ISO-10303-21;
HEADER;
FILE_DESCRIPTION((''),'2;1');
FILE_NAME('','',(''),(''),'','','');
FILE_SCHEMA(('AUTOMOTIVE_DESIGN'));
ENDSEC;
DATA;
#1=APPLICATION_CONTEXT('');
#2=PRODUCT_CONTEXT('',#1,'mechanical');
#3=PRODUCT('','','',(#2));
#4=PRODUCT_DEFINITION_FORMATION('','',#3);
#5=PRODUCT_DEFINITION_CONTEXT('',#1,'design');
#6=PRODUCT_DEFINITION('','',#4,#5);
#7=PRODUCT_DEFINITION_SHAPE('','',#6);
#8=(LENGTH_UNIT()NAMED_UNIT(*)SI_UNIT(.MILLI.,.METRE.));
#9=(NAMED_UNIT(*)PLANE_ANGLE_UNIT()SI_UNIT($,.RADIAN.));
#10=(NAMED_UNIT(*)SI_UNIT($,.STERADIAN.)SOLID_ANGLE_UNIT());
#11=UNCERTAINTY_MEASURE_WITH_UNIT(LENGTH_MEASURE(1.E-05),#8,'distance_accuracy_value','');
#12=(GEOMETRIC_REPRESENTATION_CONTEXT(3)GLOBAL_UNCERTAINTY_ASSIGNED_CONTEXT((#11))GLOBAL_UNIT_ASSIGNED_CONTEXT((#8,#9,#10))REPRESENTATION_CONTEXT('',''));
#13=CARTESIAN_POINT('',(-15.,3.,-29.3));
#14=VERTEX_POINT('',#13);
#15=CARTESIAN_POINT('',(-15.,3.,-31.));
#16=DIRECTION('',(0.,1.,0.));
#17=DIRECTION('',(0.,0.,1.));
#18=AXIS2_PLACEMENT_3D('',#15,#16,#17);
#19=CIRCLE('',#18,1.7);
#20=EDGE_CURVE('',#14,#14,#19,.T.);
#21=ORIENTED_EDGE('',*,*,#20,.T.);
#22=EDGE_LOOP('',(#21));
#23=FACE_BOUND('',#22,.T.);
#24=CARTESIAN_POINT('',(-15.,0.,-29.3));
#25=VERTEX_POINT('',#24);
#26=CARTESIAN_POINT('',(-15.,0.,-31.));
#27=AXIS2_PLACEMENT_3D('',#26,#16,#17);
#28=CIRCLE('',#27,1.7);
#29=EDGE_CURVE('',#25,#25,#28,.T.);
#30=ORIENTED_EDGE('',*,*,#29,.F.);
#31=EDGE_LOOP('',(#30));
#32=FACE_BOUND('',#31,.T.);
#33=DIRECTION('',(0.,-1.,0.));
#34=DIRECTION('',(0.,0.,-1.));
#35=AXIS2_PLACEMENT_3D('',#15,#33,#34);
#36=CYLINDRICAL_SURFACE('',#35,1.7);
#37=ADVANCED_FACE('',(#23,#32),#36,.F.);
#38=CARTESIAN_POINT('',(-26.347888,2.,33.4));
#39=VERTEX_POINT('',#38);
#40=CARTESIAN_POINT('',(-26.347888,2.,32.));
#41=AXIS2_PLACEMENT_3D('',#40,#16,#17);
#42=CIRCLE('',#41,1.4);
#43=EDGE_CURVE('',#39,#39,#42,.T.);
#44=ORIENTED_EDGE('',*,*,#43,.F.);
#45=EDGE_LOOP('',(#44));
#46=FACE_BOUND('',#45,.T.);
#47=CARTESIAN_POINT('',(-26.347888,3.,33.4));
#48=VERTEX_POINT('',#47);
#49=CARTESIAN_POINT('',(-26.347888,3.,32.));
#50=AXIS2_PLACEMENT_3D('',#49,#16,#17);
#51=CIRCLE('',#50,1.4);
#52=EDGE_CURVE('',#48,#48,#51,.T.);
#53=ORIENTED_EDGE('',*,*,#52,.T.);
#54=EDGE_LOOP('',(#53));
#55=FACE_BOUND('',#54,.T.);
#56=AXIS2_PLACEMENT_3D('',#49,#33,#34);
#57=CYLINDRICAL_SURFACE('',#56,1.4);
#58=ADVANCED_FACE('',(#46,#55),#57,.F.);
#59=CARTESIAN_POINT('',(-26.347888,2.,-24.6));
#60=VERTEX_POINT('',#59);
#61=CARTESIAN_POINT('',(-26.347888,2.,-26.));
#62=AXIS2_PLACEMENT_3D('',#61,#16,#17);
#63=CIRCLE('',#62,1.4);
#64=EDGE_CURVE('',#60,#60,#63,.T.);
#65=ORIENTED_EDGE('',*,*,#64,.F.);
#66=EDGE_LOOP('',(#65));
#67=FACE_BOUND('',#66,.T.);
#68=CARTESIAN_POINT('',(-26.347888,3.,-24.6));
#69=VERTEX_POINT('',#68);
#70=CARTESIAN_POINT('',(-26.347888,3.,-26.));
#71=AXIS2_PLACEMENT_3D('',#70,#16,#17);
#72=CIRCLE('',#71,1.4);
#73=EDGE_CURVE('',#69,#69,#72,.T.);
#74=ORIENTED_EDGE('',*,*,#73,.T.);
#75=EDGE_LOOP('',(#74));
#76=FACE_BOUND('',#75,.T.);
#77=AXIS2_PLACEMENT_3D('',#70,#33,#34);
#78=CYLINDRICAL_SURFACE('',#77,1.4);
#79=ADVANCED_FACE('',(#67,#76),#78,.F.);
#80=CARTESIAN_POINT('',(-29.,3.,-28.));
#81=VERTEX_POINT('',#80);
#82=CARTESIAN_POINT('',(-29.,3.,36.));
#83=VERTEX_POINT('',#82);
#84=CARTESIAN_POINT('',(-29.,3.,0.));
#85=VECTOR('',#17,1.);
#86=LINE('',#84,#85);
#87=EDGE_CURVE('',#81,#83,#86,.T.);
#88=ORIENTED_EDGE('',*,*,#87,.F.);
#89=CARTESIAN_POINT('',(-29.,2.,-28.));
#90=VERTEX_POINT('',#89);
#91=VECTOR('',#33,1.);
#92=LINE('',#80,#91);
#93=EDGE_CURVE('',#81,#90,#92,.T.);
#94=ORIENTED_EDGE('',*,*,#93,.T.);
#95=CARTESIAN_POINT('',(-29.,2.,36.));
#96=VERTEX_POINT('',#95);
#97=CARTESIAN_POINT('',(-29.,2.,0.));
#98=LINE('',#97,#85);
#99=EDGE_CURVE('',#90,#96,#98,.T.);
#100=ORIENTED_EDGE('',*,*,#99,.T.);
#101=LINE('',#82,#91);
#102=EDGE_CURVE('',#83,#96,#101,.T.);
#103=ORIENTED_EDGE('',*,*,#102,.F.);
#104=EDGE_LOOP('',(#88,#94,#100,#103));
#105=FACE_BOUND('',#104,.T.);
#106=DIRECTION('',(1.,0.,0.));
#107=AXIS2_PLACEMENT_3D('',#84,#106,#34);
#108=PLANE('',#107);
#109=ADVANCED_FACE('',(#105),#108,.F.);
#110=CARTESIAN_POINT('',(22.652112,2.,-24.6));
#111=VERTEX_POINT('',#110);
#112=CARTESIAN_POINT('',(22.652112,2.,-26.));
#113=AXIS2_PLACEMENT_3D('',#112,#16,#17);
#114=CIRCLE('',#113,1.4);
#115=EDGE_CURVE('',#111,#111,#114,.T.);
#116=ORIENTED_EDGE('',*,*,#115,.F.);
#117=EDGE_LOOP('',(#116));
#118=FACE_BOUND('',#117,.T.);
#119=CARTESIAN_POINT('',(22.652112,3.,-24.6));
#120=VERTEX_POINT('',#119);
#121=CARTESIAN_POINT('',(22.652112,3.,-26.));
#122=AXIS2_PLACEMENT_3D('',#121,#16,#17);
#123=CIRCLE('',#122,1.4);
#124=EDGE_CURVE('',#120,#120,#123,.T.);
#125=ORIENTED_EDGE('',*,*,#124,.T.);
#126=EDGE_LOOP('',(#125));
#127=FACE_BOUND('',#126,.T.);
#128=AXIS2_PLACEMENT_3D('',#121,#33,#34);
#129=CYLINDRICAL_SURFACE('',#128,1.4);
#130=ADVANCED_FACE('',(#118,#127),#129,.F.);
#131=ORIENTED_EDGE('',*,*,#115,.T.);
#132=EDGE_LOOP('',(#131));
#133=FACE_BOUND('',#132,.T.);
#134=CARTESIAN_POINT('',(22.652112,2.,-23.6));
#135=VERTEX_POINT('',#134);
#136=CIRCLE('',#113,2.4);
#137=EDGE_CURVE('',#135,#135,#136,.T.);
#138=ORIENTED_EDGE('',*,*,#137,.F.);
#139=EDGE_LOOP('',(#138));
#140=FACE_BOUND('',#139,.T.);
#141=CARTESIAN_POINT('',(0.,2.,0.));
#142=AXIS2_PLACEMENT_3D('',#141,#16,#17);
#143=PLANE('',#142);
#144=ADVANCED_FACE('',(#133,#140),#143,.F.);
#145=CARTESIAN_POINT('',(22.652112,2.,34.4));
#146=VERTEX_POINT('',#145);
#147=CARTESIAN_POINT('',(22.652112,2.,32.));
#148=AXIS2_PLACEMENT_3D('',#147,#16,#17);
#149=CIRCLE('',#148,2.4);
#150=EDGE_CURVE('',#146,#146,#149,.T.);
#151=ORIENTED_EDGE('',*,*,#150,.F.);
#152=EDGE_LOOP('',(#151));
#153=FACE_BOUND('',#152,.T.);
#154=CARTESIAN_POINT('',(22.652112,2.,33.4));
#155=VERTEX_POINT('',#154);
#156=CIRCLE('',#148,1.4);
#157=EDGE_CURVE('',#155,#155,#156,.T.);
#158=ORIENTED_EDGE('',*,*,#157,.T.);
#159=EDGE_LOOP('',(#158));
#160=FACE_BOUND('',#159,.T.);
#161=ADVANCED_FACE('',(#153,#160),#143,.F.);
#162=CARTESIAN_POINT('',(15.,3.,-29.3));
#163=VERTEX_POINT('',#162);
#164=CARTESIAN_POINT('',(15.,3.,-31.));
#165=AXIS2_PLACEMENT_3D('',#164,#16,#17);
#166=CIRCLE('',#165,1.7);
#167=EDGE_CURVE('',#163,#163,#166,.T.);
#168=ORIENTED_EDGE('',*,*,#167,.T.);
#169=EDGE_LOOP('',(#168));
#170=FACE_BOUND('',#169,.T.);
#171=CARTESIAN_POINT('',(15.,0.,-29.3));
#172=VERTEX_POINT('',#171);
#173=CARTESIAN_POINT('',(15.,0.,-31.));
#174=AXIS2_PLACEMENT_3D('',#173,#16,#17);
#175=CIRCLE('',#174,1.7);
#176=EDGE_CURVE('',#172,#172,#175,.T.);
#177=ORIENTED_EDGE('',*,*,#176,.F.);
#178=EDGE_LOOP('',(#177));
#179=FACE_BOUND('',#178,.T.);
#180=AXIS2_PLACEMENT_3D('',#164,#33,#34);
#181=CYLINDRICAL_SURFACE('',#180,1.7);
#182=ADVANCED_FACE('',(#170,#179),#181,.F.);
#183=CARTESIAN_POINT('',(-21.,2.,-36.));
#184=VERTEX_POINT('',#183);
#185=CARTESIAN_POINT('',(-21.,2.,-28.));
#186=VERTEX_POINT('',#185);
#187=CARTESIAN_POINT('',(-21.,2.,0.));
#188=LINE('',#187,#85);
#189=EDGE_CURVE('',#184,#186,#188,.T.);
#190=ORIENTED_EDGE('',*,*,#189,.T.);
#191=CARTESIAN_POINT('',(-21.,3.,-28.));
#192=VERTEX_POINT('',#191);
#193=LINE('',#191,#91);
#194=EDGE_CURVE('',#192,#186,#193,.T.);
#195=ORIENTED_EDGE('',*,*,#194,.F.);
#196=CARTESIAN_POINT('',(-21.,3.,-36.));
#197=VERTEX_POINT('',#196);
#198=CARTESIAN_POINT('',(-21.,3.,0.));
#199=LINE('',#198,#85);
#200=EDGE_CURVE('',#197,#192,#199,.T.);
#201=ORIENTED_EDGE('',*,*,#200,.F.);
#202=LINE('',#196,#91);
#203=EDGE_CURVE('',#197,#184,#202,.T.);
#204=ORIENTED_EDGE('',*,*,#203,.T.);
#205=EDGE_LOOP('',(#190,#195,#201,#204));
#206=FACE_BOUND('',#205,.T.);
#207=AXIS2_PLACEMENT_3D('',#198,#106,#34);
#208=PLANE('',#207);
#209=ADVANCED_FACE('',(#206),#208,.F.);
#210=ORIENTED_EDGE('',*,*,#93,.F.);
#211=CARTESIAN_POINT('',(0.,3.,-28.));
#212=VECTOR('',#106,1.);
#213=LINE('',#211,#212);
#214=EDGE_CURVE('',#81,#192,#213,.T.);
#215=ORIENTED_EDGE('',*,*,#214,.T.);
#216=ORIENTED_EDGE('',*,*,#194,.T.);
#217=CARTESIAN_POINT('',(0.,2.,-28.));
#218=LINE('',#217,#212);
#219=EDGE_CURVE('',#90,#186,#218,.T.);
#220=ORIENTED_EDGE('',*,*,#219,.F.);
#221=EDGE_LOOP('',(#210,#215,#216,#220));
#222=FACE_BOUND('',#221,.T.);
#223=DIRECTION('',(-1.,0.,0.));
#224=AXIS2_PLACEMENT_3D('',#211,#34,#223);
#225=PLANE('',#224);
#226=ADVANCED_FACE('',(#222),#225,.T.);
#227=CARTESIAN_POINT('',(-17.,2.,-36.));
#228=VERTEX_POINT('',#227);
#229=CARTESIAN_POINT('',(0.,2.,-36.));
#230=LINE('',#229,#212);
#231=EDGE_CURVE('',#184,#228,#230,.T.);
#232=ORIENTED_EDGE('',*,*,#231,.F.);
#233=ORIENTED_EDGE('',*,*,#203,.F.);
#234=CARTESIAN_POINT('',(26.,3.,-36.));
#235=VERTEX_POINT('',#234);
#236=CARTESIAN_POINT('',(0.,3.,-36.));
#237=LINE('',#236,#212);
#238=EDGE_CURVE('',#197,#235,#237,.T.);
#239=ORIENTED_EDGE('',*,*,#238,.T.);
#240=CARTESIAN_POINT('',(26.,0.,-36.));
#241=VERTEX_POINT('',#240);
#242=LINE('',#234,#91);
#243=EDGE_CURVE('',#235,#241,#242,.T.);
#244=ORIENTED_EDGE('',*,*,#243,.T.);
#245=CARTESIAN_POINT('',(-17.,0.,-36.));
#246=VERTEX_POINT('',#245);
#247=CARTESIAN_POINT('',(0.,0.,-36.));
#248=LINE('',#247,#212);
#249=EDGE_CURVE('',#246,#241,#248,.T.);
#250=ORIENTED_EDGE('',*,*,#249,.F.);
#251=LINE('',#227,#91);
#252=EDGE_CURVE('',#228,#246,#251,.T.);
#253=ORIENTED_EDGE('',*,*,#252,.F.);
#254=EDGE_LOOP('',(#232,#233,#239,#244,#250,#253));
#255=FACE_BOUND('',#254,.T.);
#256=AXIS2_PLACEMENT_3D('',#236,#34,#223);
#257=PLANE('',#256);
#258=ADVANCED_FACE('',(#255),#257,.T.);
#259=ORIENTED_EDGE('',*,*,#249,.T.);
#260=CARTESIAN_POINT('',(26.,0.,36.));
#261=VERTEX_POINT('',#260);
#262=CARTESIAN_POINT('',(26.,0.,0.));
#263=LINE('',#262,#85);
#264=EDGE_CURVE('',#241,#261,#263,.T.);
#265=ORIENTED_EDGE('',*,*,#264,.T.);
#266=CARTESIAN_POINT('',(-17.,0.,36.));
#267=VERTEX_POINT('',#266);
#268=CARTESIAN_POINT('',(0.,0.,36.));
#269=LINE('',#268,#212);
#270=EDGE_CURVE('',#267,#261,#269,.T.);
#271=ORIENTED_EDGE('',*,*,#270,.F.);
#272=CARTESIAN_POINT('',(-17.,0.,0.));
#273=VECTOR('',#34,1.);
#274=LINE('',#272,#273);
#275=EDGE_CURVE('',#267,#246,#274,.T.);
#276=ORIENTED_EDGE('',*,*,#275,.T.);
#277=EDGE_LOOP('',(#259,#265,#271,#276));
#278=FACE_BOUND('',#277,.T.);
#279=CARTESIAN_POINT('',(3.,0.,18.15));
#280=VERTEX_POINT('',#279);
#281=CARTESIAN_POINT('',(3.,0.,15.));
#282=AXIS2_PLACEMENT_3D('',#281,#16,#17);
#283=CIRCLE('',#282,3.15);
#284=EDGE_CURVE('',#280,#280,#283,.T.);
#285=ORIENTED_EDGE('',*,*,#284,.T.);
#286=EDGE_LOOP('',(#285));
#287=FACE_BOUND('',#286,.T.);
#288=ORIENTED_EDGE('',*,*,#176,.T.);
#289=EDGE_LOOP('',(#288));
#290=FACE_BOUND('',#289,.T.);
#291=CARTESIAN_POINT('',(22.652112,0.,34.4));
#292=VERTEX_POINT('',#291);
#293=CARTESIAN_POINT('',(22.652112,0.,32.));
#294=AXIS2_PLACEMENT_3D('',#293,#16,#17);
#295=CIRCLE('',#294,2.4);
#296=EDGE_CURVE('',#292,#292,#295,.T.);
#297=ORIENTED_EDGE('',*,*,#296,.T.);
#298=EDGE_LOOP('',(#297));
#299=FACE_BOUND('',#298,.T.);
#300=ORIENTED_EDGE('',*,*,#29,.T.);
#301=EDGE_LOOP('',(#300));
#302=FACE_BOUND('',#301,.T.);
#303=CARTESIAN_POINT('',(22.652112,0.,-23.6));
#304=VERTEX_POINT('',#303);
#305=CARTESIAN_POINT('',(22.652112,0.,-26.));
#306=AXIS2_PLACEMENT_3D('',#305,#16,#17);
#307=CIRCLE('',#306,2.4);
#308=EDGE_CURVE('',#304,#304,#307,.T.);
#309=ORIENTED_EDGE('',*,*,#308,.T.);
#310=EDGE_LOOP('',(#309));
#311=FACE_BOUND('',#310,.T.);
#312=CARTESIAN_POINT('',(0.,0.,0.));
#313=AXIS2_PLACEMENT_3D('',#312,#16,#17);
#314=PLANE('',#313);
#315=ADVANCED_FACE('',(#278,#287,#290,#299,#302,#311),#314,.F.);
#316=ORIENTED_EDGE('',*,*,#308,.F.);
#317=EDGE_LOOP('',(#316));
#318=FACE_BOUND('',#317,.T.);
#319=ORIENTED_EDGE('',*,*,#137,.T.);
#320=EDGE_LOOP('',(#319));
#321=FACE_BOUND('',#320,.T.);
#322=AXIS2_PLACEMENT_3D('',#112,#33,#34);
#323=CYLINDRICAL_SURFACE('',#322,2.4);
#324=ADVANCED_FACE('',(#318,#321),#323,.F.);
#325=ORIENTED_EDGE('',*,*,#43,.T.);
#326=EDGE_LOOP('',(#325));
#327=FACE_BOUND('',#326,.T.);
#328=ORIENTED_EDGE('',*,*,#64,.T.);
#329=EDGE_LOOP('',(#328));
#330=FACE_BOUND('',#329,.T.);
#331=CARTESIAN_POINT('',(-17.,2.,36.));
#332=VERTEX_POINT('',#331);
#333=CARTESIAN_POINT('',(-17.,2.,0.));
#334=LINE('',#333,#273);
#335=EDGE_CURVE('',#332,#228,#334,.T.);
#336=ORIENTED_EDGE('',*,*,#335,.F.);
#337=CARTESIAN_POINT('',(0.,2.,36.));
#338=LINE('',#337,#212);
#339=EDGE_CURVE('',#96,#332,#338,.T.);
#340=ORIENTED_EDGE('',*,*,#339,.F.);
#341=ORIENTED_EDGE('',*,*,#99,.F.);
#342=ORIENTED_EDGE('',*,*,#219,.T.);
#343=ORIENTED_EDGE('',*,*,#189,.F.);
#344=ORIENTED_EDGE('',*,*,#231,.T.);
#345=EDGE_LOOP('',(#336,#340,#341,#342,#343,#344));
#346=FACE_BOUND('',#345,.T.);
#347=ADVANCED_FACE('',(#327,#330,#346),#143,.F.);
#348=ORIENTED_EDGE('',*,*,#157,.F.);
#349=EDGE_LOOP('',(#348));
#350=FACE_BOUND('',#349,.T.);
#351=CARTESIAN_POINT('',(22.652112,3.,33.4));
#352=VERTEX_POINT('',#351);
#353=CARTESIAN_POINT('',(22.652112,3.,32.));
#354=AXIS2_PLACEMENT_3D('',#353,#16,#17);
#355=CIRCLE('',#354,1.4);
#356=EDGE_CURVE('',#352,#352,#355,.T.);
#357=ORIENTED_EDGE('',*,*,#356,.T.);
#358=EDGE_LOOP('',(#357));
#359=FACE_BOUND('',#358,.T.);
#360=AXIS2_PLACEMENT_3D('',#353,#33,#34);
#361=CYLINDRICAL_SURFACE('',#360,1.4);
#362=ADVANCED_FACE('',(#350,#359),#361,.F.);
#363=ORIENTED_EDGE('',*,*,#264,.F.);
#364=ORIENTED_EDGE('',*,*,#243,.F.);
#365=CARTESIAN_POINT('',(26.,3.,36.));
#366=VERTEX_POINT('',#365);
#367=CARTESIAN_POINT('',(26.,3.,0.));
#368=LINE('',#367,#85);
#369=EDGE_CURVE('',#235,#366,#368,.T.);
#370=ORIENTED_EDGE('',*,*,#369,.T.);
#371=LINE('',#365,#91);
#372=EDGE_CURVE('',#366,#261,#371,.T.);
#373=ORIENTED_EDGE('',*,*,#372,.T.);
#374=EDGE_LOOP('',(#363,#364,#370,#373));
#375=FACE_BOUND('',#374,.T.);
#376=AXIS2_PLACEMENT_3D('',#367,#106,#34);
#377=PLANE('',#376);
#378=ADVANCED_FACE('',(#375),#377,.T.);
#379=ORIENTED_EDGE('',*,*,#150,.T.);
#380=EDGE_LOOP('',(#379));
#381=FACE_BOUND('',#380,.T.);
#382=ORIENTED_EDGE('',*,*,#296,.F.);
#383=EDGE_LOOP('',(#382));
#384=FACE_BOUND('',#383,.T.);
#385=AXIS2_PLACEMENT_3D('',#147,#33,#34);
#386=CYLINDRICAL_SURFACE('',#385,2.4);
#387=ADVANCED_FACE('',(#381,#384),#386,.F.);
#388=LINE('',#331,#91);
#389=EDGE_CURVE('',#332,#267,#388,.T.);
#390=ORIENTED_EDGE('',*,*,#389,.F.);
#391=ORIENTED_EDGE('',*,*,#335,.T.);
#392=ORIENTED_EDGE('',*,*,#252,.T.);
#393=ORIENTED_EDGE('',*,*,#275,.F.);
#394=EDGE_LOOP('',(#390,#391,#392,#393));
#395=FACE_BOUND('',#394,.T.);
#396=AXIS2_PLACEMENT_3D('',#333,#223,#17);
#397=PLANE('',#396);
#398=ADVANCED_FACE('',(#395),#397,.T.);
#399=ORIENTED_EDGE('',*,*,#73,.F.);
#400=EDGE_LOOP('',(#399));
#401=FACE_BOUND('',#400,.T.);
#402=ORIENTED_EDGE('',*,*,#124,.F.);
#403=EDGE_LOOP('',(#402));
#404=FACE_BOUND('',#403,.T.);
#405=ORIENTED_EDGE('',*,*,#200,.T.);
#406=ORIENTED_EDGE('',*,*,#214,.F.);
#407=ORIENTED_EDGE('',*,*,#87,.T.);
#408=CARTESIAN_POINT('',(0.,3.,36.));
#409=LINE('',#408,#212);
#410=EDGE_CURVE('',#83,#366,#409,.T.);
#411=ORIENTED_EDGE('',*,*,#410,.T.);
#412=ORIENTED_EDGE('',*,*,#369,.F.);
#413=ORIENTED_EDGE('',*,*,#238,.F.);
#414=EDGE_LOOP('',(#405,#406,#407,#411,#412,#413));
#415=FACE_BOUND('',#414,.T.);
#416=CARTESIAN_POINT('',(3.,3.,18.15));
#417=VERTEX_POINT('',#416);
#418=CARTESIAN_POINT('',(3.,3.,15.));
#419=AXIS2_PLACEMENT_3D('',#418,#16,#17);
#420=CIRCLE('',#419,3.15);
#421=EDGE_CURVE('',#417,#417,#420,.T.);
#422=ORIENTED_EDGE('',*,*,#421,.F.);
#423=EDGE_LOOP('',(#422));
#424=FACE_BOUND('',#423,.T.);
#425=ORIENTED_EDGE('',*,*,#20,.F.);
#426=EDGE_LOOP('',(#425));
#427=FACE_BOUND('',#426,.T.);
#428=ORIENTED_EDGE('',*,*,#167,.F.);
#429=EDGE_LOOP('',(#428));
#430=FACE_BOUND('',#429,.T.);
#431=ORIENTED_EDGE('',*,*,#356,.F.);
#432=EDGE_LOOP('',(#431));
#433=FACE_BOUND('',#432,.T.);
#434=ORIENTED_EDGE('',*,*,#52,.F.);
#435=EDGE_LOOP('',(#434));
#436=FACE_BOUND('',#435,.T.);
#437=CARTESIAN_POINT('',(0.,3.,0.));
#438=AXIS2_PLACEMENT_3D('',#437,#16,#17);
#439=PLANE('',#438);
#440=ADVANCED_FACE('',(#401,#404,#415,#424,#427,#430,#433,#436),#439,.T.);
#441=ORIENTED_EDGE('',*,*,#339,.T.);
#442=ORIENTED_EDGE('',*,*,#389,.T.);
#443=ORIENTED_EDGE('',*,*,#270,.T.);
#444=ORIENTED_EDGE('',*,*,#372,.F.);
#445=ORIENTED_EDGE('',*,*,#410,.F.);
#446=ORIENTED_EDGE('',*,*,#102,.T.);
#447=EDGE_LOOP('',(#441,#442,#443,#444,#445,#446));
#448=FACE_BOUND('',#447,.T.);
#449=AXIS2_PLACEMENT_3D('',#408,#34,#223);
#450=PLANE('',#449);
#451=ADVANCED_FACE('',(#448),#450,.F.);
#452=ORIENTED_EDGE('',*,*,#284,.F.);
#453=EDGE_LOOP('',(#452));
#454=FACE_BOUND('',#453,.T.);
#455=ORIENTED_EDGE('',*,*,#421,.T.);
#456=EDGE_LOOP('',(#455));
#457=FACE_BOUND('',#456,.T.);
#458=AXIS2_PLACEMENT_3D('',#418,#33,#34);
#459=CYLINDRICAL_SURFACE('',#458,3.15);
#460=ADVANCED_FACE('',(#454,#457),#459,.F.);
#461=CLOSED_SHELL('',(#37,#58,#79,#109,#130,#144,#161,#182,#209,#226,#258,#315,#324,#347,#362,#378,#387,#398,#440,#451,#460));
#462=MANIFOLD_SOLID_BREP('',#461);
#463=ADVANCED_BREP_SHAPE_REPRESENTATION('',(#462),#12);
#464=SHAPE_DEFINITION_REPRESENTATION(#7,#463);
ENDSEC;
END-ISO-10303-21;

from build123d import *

# Parameters (mm, degrees)
ESQUISSE1_R             = 1.7
ESQUISSE1_R_2           = 3.15
ESQUISSE1_R_3           = 1.4
BOSS_EXTRU_3_DEPTH      = 3
ESQUISSE1_5_R           = 1.4
ESQUISSE1_5_R_2         = 2.4
ENL_V_MAT_EXTRU_7_DEPTH = 2


with BuildPart() as part:
    # Esquisse1 → Boss.-Extru.3 (new body)
    with BuildSketch(Plane(origin=(0, 0, 0), x_dir=(1, 0, 0), z_dir=(0, 1, 0))):
        Polygon((-21, 36), (-21, 28), (-29, 28), (-29, -36), (26, -36), (26, 36), align=None)
        with Locations((15, 31)):
            Circle(ESQUISSE1_R, mode=Mode.SUBTRACT)
        with Locations((3, -15)):
            Circle(ESQUISSE1_R_2, mode=Mode.SUBTRACT)
        with Locations((-15, 31)):
            Circle(ESQUISSE1_R, mode=Mode.SUBTRACT)
        with Locations((-26.347888471, 26)):
            Circle(ESQUISSE1_R_3, mode=Mode.SUBTRACT)
        with Locations((-26.347888471, -32)):
            Circle(ESQUISSE1_R_3, mode=Mode.SUBTRACT)
        with Locations((22.652111529, -32)):
            Circle(ESQUISSE1_R_3, mode=Mode.SUBTRACT)
        with Locations((22.652111529, 26)):
            Circle(ESQUISSE1_R_3, mode=Mode.SUBTRACT)
    extrude(amount=BOSS_EXTRU_3_DEPTH)

    # Esquisse1<5> → Enlèv. mat.-Extru.7 (cut)
    # profile 1 of 3: a face of its own
    with BuildSketch(Plane(origin=(0, 0, 0), x_dir=(1, 0, 0), z_dir=(0, 1, 0))):
        Polygon((-17, 36), (-21, 36), (-21, 28), (-29, 28), (-29, -36), (-17, -36), align=None)
        with Locations((-26.347888471, 26)):
            Circle(ESQUISSE1_5_R, mode=Mode.SUBTRACT)
        with Locations((-26.347888471, -32)):
            Circle(ESQUISSE1_5_R, mode=Mode.SUBTRACT)
    # profile 2 of 3: a face of its own
    with BuildSketch(Plane(origin=(0, 0, 0), x_dir=(1, 0, 0), z_dir=(0, 1, 0))):
        with Locations((22.652111529, 26)):
            Circle(ESQUISSE1_5_R_2)
        with Locations((22.652111529, 26)):
            Circle(ESQUISSE1_5_R, mode=Mode.SUBTRACT)
    # profile 3 of 3: a face of its own
    with BuildSketch(Plane(origin=(0, 0, 0), x_dir=(1, 0, 0), z_dir=(0, 1, 0))):
        with Locations((22.652111529, -32)):
            Circle(ESQUISSE1_5_R_2)
        with Locations((22.652111529, -32)):
            Circle(ESQUISSE1_5_R, mode=Mode.SUBTRACT)
    extrude(amount=ENL_V_MAT_EXTRU_7_DEPTH, mode=Mode.SUBTRACT)


solid = part.part
